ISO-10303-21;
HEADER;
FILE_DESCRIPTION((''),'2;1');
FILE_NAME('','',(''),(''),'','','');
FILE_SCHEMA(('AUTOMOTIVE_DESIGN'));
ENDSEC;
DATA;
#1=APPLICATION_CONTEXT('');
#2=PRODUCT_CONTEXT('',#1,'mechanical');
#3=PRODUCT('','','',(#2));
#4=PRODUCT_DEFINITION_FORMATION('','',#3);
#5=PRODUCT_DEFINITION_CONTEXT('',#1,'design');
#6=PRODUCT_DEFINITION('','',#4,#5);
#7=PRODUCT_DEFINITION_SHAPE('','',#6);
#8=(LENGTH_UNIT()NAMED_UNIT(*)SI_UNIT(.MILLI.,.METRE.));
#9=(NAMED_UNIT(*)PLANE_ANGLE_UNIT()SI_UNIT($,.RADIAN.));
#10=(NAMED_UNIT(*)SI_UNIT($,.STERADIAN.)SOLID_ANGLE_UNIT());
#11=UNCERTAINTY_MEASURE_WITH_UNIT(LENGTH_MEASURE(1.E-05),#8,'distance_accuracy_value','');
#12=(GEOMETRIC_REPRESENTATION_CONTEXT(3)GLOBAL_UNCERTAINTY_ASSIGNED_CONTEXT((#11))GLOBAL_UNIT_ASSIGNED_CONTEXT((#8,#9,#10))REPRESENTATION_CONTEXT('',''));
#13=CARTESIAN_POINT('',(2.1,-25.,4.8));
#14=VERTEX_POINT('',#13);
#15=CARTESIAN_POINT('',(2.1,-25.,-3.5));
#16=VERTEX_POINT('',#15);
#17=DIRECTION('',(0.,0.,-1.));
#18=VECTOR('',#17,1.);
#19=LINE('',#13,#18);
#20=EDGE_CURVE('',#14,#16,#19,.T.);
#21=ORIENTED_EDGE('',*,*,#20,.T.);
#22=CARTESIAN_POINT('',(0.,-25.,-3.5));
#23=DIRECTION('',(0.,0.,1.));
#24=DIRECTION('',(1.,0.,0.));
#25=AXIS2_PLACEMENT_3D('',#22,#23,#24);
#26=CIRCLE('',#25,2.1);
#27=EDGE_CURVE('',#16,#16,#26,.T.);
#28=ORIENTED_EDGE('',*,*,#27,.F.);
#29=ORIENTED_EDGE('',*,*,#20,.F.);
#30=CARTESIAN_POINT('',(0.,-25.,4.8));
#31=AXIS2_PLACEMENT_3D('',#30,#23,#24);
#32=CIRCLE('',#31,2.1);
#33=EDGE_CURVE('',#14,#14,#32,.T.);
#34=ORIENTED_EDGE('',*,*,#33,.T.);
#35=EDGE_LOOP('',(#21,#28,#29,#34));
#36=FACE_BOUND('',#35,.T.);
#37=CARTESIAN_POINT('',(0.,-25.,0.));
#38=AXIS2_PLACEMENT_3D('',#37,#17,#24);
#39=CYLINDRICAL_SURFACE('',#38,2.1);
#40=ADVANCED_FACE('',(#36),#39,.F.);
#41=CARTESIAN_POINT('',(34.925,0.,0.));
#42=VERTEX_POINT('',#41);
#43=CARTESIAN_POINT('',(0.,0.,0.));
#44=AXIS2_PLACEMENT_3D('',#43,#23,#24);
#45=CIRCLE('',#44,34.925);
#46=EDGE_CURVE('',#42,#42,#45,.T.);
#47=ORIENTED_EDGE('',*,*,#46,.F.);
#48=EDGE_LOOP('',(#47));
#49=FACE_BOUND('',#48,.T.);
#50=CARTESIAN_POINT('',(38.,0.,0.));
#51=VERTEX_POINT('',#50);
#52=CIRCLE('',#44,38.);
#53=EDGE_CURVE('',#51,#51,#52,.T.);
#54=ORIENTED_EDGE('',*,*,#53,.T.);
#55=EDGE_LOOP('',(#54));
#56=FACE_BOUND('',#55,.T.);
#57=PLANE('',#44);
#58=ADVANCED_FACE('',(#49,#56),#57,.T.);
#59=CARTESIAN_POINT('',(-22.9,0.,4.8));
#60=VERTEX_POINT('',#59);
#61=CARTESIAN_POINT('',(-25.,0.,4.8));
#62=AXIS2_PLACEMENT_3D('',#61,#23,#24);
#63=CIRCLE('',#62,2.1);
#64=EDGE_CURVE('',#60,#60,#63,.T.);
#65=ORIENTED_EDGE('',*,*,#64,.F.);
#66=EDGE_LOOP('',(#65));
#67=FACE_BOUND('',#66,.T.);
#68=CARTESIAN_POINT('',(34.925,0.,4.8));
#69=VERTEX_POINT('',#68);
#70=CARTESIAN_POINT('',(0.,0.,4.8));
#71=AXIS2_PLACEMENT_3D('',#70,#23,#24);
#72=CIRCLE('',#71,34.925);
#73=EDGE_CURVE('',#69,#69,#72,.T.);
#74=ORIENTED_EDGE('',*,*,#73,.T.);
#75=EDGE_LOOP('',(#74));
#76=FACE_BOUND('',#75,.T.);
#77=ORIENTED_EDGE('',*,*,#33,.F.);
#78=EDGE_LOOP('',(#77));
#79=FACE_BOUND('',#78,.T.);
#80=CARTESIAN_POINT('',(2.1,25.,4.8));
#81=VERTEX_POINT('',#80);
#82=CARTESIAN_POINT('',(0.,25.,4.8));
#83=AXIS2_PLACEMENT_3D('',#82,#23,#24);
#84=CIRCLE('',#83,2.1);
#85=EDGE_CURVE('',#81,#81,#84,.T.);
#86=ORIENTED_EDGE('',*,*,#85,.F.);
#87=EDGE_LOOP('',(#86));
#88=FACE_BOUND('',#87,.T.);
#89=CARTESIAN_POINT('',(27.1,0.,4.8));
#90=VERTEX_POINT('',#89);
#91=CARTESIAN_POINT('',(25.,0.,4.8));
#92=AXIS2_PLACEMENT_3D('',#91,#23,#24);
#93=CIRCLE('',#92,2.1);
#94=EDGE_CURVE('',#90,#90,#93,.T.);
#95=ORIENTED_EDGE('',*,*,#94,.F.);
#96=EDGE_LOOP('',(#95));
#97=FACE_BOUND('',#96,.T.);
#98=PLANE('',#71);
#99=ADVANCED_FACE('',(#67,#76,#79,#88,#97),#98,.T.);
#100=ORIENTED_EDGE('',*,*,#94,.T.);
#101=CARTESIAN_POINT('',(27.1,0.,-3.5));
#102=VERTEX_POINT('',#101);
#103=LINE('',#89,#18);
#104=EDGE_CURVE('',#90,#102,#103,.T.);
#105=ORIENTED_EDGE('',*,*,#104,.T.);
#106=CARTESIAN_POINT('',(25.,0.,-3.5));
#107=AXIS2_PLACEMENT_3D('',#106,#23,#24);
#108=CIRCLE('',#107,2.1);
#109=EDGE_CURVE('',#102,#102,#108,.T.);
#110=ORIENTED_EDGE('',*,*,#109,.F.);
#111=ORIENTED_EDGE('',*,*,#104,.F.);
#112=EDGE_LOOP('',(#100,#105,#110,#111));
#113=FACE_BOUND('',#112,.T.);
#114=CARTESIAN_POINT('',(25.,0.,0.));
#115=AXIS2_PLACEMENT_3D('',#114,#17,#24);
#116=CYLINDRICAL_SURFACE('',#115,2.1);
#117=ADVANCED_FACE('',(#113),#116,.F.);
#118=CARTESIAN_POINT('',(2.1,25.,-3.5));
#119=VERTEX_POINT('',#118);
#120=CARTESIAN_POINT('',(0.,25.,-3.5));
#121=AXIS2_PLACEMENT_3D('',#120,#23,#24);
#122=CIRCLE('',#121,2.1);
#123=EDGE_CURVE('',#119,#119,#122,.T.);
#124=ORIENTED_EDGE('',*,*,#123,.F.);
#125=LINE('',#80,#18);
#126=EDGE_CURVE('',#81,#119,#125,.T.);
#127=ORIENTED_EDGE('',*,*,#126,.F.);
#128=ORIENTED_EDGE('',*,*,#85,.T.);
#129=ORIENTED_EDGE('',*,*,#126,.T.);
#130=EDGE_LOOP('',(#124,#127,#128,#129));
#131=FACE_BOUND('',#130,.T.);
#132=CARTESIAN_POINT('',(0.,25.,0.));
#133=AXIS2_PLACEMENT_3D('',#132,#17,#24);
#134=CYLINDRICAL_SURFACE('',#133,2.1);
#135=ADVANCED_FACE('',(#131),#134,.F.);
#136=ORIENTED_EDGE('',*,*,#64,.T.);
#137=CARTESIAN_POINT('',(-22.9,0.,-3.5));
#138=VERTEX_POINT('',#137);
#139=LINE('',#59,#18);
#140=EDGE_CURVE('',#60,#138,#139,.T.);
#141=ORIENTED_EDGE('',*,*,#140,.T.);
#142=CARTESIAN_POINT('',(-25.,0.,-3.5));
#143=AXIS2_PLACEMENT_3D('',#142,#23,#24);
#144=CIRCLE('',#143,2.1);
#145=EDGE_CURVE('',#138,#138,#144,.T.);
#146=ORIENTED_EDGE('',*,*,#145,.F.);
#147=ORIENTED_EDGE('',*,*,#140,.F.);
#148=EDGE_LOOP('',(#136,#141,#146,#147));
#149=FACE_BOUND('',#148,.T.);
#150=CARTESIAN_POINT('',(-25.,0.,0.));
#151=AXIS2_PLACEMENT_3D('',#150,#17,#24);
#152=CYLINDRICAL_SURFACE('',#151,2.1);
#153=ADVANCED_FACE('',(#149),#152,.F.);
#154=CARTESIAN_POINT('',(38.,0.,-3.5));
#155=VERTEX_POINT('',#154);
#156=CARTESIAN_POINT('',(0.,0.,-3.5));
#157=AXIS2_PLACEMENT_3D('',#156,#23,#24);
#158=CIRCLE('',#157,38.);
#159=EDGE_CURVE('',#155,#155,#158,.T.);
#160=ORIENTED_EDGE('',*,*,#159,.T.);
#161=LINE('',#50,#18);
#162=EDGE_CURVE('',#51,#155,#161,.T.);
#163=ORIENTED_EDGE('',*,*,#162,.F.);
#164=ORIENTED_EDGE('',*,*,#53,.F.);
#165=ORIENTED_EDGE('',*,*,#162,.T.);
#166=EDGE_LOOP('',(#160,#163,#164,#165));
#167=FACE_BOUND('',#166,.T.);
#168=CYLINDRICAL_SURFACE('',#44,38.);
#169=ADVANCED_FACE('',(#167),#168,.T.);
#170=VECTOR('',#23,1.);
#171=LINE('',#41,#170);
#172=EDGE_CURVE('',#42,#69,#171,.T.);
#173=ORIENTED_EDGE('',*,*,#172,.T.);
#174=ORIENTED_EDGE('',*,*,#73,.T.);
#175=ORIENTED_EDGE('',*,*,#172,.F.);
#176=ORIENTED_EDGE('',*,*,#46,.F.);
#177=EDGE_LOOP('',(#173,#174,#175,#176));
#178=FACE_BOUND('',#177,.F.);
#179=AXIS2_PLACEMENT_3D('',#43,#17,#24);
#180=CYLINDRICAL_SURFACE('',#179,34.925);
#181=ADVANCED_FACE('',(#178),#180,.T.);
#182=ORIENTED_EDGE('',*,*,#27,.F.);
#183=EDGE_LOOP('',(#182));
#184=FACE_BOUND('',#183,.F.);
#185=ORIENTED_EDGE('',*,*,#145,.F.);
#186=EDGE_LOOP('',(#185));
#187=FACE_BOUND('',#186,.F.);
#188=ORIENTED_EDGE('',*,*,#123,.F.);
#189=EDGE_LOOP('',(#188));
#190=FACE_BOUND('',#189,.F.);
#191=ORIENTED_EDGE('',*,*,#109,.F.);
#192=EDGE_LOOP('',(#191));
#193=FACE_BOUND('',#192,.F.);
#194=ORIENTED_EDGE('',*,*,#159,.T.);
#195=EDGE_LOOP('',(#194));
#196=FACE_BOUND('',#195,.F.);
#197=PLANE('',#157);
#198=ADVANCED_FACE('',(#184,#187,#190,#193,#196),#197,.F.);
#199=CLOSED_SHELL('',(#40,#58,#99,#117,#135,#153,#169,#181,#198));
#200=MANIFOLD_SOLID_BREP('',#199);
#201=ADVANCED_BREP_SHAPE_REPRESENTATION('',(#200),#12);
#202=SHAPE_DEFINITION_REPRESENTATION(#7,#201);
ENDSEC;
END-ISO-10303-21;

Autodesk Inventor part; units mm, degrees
ref_plane "YZ Plane" through (0, 0, 0) normal (1, 0, 0) x (0, 1, 0)
ref_plane "XZ Plane" through (0, 0, 0) normal (0, 1, 0) x (-1, 0, 0)
ref_plane "XY Plane" through (0, 0, 0) normal (0, 0, 1) x (1, 0, 0)
sketch "Sketch1" plane through (0, 0, 0) normal (0, 0, 1) x (1, 0, 0)
  circle A0 centre (0, 0) radius 34.925
  circle A1 centre (0, 0) radius 38
  circle A2 centre (-25, 0) radius 2.1
  circle A3 centre (0, -25) radius 2.1
  circle A4 centre (25, 0) radius 2.1
  circle A5 centre (0, 25) radius 2.1
  dimension "d0" = 69.85
  dimension "d1" = 76
  dimension "d6" = 25
  dimension "d7" = 4.2
  dimension "d10" = 360
extrude "Extrusion1" add sketch "Sketch1" along normal blind 4.8 contours A0
extrude "Extrusion2" add sketch "Sketch1" against normal blind 3.5 contours A0 | A1
properties part number "Fix_toDown_bearing" material "PLA Plastic"
